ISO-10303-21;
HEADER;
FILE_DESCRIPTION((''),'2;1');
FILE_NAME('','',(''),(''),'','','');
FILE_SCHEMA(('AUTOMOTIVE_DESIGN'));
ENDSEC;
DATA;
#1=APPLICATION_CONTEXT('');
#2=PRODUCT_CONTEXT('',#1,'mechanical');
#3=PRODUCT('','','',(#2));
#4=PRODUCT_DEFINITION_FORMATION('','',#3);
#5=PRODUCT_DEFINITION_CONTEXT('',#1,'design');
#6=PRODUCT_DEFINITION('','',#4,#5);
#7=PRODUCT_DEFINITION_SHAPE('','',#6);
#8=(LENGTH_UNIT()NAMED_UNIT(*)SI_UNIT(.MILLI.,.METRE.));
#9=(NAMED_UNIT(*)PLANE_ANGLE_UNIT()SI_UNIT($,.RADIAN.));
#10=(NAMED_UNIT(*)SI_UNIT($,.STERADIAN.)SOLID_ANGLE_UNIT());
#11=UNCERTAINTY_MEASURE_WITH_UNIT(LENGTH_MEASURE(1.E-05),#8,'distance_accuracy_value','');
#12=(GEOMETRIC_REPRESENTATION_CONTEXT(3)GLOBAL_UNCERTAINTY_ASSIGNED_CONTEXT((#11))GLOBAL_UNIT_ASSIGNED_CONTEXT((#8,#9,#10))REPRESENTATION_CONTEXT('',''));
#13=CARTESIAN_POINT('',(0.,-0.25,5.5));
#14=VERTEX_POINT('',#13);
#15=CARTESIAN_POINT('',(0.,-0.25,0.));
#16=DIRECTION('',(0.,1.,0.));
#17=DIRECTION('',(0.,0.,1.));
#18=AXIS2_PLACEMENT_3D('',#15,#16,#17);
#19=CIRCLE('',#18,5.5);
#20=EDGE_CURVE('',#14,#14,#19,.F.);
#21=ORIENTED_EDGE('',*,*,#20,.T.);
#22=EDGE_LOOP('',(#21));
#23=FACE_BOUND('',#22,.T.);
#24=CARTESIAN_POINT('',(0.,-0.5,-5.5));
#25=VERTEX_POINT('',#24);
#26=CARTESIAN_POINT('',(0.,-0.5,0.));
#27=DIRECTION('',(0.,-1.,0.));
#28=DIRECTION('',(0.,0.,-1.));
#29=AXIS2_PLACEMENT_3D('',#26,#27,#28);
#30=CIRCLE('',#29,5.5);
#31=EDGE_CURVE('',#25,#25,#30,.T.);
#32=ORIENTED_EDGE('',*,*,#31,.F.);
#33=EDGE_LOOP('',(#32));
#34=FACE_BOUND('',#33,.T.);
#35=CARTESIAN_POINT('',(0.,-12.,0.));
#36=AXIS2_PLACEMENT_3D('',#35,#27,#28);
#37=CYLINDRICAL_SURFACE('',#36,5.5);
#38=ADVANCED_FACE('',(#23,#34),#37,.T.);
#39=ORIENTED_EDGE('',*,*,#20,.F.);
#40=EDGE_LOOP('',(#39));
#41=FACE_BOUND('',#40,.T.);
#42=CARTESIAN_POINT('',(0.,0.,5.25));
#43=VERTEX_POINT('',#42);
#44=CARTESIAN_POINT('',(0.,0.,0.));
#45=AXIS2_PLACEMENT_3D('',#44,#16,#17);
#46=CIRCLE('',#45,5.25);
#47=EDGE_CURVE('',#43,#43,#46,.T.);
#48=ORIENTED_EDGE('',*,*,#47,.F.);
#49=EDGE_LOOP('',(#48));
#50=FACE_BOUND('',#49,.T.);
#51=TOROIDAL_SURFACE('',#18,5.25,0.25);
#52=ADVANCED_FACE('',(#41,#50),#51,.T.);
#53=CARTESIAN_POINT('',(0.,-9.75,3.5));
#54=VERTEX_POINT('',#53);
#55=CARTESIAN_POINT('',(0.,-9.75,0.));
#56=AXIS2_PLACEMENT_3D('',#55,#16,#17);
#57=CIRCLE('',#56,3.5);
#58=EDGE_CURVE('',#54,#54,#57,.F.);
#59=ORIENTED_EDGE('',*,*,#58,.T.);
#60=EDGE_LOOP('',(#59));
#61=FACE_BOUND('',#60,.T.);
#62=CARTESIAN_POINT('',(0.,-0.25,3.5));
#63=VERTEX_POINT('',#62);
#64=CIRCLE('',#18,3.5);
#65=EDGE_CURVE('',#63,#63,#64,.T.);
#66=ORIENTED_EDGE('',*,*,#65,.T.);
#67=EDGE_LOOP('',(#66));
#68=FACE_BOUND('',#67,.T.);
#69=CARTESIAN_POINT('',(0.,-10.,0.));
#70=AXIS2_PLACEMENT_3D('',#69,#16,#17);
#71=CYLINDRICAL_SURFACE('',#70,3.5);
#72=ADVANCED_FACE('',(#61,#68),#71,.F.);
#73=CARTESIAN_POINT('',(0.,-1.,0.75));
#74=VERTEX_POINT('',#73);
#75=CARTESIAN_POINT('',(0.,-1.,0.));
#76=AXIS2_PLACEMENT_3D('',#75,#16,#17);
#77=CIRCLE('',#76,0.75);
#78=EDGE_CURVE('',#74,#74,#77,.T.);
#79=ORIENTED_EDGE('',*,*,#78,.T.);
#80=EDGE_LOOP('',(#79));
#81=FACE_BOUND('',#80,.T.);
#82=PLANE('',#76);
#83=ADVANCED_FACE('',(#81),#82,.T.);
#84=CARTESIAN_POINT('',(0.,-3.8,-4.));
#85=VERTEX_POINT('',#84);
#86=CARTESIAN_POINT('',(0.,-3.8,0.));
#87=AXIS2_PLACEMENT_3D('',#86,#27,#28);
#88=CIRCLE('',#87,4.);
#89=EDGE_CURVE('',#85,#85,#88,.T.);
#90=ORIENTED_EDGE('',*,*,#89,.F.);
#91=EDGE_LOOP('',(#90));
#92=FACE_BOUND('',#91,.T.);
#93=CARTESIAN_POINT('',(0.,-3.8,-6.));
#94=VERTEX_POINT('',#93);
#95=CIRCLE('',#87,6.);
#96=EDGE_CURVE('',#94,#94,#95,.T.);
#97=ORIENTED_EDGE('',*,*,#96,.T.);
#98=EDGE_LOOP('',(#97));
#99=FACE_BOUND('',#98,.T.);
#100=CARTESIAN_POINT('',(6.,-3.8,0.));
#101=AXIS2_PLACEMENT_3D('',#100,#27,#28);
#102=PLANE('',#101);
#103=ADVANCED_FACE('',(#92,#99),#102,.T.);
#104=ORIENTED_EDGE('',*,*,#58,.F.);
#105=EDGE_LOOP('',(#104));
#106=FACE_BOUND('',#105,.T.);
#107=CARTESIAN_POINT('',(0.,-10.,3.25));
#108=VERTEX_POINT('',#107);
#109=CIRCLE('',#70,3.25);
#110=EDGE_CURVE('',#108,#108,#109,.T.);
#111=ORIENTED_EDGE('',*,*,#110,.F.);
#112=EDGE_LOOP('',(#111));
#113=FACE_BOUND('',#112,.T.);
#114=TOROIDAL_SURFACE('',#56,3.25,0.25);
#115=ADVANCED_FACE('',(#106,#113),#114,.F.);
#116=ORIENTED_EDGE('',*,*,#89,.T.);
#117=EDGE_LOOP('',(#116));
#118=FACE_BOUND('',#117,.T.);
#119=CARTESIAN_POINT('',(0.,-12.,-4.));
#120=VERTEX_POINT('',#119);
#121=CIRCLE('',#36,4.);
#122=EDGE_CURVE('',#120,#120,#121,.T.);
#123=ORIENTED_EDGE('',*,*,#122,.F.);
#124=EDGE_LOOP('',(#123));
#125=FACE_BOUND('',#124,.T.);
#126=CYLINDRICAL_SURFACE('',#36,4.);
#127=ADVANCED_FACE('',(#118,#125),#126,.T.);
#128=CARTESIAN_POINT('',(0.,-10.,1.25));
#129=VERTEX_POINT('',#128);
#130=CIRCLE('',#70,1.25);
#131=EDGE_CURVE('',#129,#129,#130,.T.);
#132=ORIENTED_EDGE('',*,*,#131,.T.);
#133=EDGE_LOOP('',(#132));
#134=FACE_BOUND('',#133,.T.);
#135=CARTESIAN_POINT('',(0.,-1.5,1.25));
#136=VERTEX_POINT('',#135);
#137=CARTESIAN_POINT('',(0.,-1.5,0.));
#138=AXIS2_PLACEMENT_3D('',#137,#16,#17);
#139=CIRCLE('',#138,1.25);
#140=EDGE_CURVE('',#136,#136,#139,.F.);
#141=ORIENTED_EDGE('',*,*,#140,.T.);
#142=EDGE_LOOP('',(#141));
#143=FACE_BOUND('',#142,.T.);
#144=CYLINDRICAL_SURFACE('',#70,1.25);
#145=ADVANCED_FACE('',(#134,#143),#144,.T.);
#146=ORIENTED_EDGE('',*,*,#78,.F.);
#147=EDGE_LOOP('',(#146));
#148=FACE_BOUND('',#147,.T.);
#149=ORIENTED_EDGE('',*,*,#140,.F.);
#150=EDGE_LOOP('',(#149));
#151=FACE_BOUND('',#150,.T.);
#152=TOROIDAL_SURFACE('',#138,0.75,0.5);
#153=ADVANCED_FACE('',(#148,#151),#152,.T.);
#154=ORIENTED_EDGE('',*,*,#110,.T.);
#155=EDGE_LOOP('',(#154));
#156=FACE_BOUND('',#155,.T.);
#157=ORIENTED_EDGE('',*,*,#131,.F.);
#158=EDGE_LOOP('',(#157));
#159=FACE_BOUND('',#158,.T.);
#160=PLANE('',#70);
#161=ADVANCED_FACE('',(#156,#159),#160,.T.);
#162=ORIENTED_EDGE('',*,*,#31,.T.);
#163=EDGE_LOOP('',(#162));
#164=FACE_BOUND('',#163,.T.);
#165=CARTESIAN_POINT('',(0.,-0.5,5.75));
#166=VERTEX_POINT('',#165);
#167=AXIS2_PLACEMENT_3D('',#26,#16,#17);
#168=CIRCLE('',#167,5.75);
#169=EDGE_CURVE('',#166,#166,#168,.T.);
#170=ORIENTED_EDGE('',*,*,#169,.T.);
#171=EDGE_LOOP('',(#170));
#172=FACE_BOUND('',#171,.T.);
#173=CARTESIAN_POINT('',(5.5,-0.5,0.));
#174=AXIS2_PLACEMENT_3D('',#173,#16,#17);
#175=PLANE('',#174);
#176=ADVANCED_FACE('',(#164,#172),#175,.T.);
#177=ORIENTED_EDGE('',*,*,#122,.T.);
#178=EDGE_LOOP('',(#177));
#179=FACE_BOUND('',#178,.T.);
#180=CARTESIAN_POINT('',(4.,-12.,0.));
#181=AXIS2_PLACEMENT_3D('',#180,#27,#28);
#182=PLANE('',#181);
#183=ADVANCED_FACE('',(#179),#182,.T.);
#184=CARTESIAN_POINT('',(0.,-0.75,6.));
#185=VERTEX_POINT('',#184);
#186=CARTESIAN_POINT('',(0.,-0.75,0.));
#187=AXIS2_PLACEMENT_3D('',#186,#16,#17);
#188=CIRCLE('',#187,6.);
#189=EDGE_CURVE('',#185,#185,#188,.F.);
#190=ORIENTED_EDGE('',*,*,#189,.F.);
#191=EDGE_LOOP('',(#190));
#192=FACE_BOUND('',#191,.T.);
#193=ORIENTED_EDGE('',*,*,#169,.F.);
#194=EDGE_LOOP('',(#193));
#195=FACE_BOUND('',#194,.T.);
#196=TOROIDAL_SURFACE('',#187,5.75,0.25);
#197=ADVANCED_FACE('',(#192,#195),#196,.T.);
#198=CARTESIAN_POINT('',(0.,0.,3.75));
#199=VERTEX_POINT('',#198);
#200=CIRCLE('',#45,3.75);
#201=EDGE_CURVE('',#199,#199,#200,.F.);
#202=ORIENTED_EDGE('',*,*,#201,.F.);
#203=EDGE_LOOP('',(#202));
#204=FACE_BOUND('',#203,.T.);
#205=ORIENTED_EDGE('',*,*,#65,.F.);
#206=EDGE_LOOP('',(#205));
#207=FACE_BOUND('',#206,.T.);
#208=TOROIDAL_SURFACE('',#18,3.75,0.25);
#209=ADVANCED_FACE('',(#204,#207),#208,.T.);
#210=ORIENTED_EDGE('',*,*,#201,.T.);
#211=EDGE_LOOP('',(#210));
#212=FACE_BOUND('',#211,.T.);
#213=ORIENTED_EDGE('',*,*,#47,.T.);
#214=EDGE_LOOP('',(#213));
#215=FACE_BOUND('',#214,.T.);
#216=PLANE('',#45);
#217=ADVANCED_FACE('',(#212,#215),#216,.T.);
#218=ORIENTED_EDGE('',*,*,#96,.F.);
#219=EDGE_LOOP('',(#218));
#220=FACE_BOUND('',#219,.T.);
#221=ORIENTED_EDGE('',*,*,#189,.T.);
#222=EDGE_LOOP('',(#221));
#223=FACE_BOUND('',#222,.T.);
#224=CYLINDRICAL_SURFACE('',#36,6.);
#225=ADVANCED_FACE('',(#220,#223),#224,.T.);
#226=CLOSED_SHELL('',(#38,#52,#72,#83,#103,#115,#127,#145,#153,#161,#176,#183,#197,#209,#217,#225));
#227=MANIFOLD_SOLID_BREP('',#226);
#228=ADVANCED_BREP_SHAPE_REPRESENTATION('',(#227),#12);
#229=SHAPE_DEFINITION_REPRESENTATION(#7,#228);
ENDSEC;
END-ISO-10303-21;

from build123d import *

# Parameters (mm, degrees)
SKETCH2_R            = 3.5
SKETCH2_R_2          = 1.25
INSIDE_CUT_DEPTH     = 10
SKETCH3_R            = 1.25
PIN_SHORTENING_DEPTH = 1
FILLET1_R            = 0.5
FILLET2_R            = 0.25


with BuildPart() as part:
    # Sketch1 → BULK (revolve)
    with BuildSketch(Plane.XY, mode=Mode.PRIVATE) as bulk_sk:
        Polygon((0, 0), (5.5, 0), (5.5, -0.5), (6, -0.5), (6, -3.8), (4, -3.8), (4, -12), (0, -12), align=None)
    revolve(bulk_sk.sketch.rotate(Axis((0, -12, 0), (0, 1, 0)), 90), axis=Axis((0, -12, 0), (0, 1, 0)))

    # Sketch2 → INSIDE CUT (cut)
    with BuildSketch(Plane(origin=(0, 0, 0), x_dir=(1, 0, 0), z_dir=(0, 1, 0))):
        with Locations(Location((0, 0, 0), (0, 0, 270))):
            Circle(SKETCH2_R)
        with Locations(Location((0, 0, 0), (0, 0, 270))):
            Circle(SKETCH2_R_2, mode=Mode.SUBTRACT)
    extrude(amount=-INSIDE_CUT_DEPTH, mode=Mode.SUBTRACT)

    # Sketch3 → PIN SHORTENING (cut)
    with BuildSketch(Plane(origin=(0, 0, 0), x_dir=(1, 0, 0), z_dir=(0, 1, 0))):
        with Locations(Location((0, 0, 0), (0, 0, 270))):
            Circle(SKETCH3_R)
    extrude(amount=-PIN_SHORTENING_DEPTH, mode=Mode.SUBTRACT)

    # Fillet1
    fillet1_edges = [part.edges().sort_by_distance(p)[0] for p in [
        (0, -1, -1.25),
    ]]
    fillet(fillet1_edges, radius=FILLET1_R)

    # Fillet2
    fillet2_edges = [part.edges().sort_by_distance(p)[0] for p in [
        (0, -10, -3.5),
        (0, 0, -3.5),
        (0, -0.5, 6),
        (0, 0, 5.5),
    ]]
    fillet(fillet2_edges, radius=FILLET2_R)


solid = part.part
